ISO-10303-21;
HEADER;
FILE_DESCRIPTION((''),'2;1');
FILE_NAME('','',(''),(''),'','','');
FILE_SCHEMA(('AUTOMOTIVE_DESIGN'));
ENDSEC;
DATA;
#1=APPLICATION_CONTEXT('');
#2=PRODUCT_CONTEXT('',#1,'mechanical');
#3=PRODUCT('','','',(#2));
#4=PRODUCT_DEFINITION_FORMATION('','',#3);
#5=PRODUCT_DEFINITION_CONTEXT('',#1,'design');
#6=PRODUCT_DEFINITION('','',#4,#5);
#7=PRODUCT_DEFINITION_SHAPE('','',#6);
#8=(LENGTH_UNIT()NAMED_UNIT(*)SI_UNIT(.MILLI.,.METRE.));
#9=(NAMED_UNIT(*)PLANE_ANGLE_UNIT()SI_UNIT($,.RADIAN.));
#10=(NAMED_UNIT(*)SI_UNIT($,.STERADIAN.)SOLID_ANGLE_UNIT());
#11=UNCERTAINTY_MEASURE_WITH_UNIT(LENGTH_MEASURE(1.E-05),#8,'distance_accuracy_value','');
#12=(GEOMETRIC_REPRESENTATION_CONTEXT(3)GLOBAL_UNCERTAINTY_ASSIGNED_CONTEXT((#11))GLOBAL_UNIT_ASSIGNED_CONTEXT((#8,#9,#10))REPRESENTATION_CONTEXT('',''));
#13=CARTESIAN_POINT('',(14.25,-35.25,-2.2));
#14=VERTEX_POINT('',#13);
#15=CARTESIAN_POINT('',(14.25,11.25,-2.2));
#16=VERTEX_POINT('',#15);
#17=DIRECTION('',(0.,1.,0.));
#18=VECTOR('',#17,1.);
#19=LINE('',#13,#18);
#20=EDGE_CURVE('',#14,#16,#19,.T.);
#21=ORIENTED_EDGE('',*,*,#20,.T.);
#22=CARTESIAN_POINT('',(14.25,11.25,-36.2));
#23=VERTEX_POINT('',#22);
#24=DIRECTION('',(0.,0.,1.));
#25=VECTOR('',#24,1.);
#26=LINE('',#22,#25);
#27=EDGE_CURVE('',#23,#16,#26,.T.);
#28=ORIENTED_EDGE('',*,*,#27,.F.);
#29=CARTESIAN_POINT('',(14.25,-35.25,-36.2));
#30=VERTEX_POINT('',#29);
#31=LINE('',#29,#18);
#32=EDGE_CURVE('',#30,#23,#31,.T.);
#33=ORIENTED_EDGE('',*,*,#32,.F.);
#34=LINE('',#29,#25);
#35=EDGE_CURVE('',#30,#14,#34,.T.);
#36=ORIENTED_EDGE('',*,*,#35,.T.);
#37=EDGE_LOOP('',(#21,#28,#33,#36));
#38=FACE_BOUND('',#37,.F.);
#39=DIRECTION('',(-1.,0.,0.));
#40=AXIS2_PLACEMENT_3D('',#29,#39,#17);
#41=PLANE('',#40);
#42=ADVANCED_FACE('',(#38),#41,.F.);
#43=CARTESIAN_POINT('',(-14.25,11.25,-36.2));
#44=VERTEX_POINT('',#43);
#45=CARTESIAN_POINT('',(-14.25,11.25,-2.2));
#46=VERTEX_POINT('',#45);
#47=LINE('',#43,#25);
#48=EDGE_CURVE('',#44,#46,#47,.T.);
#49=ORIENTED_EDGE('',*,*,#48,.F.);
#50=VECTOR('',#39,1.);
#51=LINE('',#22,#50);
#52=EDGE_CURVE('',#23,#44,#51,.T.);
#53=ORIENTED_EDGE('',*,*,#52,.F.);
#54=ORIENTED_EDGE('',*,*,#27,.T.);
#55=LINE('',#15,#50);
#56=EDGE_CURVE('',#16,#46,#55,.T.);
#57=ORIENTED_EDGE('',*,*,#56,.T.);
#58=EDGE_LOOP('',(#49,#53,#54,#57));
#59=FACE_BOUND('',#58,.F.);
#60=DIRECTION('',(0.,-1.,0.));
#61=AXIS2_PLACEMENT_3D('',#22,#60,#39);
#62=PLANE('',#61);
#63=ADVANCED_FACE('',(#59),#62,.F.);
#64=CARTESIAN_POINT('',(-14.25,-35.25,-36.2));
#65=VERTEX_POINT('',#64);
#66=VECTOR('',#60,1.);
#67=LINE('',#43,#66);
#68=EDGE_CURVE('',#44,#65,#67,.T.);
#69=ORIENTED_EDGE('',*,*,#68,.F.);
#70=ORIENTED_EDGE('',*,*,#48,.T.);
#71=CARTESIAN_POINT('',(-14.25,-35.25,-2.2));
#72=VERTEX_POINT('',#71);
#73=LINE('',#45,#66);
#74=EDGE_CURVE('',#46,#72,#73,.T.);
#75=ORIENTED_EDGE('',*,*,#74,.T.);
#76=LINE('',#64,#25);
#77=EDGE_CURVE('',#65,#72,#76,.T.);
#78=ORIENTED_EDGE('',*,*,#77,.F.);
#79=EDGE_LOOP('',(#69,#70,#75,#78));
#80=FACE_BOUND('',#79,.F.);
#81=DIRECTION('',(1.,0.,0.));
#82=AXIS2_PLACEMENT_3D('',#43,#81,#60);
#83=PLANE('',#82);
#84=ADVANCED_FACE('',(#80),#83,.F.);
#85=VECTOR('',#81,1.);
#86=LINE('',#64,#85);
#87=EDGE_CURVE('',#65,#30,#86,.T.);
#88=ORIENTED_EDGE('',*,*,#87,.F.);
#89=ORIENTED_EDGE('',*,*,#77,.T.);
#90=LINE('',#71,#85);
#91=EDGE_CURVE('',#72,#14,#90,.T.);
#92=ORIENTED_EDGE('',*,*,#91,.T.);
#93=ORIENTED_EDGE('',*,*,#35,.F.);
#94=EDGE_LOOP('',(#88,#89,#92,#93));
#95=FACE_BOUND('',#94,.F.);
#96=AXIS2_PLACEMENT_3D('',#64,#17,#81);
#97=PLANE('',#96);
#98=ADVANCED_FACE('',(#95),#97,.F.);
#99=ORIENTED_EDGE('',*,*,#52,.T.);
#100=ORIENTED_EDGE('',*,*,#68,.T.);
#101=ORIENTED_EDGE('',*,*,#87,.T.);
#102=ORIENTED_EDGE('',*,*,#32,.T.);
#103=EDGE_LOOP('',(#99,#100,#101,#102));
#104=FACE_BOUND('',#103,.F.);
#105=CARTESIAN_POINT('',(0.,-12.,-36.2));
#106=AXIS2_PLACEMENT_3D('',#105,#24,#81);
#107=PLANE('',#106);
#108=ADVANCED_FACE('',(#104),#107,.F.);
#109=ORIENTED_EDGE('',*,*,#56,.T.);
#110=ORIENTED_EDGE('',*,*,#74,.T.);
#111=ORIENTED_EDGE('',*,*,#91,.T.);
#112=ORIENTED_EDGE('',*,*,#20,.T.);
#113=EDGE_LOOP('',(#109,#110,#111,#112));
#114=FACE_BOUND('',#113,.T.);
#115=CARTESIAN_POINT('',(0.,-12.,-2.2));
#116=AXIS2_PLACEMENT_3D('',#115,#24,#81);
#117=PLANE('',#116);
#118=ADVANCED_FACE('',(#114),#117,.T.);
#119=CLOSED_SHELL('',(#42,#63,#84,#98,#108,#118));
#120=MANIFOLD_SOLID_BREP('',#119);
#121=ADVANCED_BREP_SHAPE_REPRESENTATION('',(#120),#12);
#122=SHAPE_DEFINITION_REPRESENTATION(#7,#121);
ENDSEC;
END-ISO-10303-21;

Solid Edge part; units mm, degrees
sketch "Sketch1" plane through (0, 0, -36.2) normal (0, 0, 1) x (1, 0, 0)
  line L0 (-14.25, -35.25) -> (14.25, -35.25)
  line L1 (14.25, -35.25) -> (14.25, 11.25)
  line L2 (14.25, 11.25) -> (-14.25, 11.25)
  line L3 (-14.25, 11.25) -> (-14.25, -35.25)
extrude "ExtrudedProtrusion_1" add sketch "Sketch1" along normal blind 34
